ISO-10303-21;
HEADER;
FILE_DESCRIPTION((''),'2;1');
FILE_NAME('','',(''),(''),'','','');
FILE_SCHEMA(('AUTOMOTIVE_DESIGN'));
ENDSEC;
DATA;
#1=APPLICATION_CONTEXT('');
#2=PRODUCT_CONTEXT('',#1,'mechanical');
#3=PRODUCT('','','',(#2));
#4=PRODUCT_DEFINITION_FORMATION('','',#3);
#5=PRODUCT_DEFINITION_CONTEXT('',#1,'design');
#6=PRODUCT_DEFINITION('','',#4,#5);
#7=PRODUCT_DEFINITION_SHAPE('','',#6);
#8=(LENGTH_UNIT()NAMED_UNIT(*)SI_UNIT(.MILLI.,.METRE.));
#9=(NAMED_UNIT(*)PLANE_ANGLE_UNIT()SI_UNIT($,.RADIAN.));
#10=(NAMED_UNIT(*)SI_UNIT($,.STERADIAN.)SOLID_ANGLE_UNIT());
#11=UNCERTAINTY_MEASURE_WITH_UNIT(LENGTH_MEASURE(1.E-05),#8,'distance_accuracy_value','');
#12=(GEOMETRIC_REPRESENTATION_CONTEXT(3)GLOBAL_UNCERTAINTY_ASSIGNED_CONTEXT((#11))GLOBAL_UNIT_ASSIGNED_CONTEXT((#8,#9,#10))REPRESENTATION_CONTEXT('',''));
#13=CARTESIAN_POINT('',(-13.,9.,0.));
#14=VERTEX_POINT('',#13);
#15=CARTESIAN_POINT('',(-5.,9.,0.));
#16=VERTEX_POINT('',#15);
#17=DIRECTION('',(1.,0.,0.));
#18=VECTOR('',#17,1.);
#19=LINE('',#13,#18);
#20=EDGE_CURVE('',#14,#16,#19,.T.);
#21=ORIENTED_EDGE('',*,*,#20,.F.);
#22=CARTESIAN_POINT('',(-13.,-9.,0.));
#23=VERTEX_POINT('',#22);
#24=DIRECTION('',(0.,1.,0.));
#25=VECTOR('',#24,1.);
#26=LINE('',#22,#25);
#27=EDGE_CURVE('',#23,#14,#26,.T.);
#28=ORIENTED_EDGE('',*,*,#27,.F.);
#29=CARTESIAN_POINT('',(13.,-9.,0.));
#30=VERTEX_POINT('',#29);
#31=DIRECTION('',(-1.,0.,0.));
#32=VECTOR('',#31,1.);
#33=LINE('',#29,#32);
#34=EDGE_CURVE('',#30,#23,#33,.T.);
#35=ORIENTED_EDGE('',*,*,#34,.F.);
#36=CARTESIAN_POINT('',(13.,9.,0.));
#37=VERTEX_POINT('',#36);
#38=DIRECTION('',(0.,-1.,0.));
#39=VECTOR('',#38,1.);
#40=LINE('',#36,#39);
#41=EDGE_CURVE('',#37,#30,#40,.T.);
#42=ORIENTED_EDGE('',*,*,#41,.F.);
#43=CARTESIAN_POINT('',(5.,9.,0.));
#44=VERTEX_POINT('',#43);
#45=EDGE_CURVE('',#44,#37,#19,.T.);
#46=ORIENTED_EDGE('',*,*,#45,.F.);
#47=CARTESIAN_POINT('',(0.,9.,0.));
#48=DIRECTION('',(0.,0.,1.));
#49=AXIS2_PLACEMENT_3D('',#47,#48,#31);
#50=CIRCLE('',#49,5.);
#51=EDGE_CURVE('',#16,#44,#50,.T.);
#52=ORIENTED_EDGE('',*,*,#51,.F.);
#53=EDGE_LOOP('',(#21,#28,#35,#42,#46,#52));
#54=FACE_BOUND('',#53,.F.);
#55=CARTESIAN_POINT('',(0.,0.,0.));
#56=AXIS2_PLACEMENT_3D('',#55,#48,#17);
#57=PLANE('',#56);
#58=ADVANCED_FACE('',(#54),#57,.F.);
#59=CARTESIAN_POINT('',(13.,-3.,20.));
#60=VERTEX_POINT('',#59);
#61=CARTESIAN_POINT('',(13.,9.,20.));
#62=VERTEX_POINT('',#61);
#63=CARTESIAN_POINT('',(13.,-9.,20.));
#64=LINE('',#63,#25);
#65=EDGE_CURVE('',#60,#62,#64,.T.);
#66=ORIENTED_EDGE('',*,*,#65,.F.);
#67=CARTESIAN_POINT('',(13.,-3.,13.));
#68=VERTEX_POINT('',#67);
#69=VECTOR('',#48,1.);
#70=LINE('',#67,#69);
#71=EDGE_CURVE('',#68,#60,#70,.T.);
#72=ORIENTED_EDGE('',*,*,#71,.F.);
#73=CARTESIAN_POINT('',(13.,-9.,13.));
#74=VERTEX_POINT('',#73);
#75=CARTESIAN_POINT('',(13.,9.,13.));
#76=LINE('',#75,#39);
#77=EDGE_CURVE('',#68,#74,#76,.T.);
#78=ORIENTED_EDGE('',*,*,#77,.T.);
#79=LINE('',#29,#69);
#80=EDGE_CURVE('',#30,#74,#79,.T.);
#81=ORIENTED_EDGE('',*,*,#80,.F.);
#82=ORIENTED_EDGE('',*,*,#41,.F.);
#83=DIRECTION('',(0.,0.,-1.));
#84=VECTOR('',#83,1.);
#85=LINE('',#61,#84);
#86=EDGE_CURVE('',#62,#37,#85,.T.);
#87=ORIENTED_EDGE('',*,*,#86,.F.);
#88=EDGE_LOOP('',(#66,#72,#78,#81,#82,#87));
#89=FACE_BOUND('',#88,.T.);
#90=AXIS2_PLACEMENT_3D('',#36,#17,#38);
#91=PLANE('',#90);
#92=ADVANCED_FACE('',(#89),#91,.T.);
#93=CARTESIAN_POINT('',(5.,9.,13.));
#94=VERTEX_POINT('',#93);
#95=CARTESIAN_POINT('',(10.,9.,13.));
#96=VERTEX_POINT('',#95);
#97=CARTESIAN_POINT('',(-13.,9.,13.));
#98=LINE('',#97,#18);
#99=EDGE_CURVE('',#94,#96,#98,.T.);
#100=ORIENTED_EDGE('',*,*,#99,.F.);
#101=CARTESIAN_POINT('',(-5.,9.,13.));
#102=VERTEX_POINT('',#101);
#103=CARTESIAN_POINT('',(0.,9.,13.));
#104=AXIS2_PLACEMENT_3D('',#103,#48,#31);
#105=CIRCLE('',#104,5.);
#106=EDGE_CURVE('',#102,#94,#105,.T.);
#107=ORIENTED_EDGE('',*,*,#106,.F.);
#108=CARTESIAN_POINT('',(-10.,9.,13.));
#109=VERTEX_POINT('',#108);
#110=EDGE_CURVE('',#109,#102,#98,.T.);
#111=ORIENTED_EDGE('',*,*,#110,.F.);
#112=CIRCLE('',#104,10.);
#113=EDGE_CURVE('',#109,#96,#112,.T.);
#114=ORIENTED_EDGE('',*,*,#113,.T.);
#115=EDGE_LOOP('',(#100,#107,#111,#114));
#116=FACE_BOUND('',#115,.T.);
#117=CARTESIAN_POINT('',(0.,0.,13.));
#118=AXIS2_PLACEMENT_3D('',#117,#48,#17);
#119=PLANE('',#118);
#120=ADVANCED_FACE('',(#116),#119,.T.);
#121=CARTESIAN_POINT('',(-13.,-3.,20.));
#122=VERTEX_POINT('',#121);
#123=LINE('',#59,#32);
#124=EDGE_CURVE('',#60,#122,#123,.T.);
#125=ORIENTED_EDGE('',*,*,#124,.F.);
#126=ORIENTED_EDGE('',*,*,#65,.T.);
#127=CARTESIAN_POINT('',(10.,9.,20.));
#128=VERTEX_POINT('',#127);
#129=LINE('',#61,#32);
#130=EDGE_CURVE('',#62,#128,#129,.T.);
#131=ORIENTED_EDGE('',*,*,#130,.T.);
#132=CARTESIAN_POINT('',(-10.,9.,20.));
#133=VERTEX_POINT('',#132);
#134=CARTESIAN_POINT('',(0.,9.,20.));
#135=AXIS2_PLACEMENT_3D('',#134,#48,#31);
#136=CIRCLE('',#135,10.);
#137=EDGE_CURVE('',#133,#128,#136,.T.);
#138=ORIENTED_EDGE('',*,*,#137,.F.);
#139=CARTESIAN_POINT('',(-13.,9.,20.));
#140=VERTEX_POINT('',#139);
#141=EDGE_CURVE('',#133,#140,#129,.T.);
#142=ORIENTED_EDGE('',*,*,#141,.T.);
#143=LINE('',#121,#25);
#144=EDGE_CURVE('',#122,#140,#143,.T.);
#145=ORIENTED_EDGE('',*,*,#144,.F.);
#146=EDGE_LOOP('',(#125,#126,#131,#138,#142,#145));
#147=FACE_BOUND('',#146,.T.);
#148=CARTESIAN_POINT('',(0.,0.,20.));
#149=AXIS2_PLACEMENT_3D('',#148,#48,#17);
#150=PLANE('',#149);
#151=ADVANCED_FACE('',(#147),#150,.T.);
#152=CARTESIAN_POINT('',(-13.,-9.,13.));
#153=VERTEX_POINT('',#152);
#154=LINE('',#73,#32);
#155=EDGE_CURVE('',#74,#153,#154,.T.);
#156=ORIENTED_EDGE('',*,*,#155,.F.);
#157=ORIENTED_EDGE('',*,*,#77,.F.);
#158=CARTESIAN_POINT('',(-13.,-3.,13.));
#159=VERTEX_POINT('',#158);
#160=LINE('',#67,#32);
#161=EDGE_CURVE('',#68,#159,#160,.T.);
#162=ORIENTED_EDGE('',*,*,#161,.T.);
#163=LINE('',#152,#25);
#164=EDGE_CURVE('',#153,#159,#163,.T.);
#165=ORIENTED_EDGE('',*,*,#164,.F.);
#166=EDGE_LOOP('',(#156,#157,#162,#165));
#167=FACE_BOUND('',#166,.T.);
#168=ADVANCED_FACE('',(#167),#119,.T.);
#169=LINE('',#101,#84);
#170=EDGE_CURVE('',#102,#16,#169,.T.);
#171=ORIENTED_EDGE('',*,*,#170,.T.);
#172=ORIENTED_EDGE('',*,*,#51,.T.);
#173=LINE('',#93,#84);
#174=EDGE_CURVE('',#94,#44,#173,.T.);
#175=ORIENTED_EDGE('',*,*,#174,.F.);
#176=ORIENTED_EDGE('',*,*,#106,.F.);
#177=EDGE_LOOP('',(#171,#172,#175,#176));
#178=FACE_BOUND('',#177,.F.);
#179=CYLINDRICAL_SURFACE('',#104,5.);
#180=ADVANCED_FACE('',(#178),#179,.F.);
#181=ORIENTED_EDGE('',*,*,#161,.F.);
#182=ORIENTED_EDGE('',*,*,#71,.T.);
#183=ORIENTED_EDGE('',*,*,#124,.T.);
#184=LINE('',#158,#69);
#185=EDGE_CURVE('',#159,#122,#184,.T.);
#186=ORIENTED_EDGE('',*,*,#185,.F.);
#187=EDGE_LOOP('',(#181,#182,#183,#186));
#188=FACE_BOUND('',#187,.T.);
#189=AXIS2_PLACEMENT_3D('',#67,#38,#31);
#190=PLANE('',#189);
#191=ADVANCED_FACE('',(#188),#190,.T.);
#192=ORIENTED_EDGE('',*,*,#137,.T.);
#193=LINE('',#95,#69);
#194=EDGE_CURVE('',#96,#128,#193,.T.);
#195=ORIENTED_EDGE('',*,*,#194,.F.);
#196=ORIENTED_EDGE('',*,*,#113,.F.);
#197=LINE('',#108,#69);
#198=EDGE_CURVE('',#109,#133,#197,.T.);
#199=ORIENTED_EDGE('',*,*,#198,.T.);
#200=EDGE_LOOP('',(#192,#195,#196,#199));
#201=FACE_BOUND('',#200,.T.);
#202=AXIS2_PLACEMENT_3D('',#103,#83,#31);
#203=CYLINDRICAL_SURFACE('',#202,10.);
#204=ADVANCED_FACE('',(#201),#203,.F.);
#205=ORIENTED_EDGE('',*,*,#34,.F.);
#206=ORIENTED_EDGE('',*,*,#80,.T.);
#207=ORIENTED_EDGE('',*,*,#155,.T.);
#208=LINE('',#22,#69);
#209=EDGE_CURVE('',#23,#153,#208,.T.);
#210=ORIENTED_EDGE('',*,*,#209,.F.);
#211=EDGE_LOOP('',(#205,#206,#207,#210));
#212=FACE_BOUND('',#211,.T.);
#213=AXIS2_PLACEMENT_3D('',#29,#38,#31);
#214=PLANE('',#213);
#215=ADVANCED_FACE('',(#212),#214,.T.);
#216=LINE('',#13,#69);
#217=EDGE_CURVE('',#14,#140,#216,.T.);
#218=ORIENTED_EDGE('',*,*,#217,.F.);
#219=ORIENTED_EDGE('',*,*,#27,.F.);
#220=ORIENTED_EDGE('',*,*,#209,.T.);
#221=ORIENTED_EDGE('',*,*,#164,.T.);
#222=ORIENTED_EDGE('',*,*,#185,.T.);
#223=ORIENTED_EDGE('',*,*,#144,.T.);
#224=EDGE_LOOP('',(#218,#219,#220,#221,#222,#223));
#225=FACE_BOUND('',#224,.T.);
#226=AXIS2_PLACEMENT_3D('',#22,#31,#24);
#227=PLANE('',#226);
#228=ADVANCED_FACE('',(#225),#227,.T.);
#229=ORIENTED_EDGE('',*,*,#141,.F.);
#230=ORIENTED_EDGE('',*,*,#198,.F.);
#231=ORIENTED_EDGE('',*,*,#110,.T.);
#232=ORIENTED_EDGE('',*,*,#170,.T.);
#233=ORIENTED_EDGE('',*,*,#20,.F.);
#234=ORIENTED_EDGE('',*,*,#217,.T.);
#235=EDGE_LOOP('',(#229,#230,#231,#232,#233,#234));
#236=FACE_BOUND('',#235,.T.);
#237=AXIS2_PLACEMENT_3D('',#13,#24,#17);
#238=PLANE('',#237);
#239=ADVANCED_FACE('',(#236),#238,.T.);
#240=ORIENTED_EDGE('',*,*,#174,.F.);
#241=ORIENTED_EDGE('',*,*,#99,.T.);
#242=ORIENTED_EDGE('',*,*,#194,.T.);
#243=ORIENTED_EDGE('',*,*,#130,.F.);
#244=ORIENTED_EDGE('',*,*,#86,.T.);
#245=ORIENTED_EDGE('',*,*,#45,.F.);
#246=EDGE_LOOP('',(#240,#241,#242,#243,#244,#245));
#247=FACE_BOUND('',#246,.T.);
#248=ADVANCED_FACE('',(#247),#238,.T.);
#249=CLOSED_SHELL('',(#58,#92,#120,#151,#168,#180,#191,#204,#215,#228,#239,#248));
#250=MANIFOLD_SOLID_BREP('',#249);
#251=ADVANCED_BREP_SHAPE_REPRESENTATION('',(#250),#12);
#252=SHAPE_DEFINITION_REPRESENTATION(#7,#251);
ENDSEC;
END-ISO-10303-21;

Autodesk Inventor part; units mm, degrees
ref_plane "YZ Plane" through (0, 0, 0) normal (1, 0, 0) x (0, 1, 0)
ref_plane "XZ Plane" through (0, 0, 0) normal (0, 1, 0) x (-1, 0, 0)
ref_plane "XY Plane" through (0, 0, 0) normal (0, 0, 1) x (1, 0, 0)
sketch "草图1" plane through (0, 0, 0) normal (0, 0, 1) x (1, 0, 0)
  line L0 (-13, 9) -> (13, 9)
  line L1 (13, 9) -> (13, -9)
  line L2 (13, -9) -> (-13, -9)
  line L3 (-13, -9) -> (-13, 9)
  line L4 (-13, 9) -> (13, -9) construction
  line L5 (13, 9) -> (-13, -9) construction
  point P0 (0, 0)
  dimension "d0" = 26
  dimension "d1" = 18
extrude "拉伸1" add sketch "草图1" along normal blind 13
sketch "草图2" plane through (0, 0, 13) normal (0, 0, 1) x (1, 0, 0)
  line L0 (13, 9) -> (-13, 9) projected
  line L1 (13, -9) -> (13, 9) projected
  line L2 (-13, 9) -> (13, 9)
  line L3 (13, 9) -> (13, -3)
  line L4 (13, -3) -> (-13, -3)
  line L5 (-13, -3) -> (-13, 9)
  arc A0 (-10, 9) -> (10, 9) centre (0, 9) ccw
  point P0 (0, 0)
  point P1 (10, 9)
  dimension "d4" = 12
  dimension "d5" = 20
extrude "拉伸2" add sketch "草图2" along normal blind 7 contours L1 L4 L5 L0 A0
sketch "草图3" plane through (0, 0, 13) normal (0, 0, 1) x (1, 0, 0)
  line L0 (10, 9) -> (-10, 9) projected
  arc A0 (-5, 9) -> (5, 9) centre (0, 9) ccw
  point P0 (0, 0)
  dimension "d8" = 10
extrude "拉伸3" cut sketch "草图3" against normal blind 13
properties part number "2-4"
